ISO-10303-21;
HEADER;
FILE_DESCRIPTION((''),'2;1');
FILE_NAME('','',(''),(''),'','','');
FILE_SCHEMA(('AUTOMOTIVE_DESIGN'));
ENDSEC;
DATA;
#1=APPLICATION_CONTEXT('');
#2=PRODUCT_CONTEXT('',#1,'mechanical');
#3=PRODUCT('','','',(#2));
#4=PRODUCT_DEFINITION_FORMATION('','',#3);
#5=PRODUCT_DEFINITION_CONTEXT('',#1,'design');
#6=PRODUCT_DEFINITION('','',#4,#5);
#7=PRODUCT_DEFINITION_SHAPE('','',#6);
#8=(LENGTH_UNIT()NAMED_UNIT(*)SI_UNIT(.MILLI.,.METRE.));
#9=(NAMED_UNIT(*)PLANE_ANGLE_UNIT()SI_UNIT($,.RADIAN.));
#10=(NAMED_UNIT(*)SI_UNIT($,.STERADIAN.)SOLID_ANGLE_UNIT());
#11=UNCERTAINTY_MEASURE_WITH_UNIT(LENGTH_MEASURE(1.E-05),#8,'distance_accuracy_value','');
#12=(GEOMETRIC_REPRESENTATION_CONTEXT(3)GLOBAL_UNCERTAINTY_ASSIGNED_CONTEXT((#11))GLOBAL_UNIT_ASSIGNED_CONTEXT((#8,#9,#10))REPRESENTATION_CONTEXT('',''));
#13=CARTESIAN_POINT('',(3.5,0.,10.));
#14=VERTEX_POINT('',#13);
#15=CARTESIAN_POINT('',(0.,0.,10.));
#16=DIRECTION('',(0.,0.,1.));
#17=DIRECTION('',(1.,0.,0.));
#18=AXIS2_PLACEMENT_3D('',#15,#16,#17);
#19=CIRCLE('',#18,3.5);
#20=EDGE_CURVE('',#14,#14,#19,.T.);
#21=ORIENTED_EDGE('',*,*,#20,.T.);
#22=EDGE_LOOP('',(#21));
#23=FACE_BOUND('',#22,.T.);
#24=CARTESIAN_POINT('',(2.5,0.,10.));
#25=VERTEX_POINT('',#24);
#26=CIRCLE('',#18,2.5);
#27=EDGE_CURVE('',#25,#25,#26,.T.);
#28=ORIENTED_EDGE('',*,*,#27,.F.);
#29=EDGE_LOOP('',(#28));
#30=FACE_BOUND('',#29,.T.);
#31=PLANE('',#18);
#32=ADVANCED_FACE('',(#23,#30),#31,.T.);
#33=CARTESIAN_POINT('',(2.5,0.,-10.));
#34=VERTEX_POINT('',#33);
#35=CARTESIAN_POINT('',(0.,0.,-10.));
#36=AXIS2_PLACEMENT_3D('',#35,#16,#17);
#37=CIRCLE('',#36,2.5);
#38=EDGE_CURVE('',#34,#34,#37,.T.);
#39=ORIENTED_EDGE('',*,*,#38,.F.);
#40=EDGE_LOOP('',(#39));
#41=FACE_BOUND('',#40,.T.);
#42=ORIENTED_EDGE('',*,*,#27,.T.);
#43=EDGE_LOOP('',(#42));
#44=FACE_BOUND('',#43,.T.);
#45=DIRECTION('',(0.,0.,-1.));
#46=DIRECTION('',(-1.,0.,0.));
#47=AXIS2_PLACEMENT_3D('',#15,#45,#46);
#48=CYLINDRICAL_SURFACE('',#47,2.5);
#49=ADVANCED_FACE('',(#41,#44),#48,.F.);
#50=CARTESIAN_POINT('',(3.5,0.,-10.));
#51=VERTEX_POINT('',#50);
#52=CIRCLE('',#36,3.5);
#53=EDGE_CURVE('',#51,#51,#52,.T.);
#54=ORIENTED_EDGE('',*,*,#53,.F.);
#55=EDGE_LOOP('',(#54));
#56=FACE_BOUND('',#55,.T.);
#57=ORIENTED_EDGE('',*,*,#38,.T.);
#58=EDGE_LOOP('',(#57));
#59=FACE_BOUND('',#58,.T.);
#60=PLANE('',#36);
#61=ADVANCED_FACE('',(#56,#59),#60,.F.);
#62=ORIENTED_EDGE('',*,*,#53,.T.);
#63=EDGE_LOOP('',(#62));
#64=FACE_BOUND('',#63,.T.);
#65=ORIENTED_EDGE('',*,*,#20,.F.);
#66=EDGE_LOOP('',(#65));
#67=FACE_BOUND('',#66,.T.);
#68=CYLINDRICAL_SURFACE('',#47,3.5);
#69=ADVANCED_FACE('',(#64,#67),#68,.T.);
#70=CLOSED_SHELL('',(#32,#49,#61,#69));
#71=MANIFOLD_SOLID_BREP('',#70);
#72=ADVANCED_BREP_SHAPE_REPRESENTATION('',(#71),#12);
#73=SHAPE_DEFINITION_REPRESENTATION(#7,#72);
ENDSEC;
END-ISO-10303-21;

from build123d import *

# Parameters (mm, degrees)
ESBO_O1_R                = 3.5
ESBO_O1_R_2              = 2.5
RESSALTO_EXTRUS_O1_DEPTH = 10


with BuildPart() as part:
    # Esboço1 → Ressalto-extrusão1 (new body, symmetric)
    with BuildSketch(Plane.XY):
        Circle(ESBO_O1_R)
        Circle(ESBO_O1_R_2, mode=Mode.SUBTRACT)
    extrude(amount=RESSALTO_EXTRUS_O1_DEPTH, both=True)


solid = part.part
